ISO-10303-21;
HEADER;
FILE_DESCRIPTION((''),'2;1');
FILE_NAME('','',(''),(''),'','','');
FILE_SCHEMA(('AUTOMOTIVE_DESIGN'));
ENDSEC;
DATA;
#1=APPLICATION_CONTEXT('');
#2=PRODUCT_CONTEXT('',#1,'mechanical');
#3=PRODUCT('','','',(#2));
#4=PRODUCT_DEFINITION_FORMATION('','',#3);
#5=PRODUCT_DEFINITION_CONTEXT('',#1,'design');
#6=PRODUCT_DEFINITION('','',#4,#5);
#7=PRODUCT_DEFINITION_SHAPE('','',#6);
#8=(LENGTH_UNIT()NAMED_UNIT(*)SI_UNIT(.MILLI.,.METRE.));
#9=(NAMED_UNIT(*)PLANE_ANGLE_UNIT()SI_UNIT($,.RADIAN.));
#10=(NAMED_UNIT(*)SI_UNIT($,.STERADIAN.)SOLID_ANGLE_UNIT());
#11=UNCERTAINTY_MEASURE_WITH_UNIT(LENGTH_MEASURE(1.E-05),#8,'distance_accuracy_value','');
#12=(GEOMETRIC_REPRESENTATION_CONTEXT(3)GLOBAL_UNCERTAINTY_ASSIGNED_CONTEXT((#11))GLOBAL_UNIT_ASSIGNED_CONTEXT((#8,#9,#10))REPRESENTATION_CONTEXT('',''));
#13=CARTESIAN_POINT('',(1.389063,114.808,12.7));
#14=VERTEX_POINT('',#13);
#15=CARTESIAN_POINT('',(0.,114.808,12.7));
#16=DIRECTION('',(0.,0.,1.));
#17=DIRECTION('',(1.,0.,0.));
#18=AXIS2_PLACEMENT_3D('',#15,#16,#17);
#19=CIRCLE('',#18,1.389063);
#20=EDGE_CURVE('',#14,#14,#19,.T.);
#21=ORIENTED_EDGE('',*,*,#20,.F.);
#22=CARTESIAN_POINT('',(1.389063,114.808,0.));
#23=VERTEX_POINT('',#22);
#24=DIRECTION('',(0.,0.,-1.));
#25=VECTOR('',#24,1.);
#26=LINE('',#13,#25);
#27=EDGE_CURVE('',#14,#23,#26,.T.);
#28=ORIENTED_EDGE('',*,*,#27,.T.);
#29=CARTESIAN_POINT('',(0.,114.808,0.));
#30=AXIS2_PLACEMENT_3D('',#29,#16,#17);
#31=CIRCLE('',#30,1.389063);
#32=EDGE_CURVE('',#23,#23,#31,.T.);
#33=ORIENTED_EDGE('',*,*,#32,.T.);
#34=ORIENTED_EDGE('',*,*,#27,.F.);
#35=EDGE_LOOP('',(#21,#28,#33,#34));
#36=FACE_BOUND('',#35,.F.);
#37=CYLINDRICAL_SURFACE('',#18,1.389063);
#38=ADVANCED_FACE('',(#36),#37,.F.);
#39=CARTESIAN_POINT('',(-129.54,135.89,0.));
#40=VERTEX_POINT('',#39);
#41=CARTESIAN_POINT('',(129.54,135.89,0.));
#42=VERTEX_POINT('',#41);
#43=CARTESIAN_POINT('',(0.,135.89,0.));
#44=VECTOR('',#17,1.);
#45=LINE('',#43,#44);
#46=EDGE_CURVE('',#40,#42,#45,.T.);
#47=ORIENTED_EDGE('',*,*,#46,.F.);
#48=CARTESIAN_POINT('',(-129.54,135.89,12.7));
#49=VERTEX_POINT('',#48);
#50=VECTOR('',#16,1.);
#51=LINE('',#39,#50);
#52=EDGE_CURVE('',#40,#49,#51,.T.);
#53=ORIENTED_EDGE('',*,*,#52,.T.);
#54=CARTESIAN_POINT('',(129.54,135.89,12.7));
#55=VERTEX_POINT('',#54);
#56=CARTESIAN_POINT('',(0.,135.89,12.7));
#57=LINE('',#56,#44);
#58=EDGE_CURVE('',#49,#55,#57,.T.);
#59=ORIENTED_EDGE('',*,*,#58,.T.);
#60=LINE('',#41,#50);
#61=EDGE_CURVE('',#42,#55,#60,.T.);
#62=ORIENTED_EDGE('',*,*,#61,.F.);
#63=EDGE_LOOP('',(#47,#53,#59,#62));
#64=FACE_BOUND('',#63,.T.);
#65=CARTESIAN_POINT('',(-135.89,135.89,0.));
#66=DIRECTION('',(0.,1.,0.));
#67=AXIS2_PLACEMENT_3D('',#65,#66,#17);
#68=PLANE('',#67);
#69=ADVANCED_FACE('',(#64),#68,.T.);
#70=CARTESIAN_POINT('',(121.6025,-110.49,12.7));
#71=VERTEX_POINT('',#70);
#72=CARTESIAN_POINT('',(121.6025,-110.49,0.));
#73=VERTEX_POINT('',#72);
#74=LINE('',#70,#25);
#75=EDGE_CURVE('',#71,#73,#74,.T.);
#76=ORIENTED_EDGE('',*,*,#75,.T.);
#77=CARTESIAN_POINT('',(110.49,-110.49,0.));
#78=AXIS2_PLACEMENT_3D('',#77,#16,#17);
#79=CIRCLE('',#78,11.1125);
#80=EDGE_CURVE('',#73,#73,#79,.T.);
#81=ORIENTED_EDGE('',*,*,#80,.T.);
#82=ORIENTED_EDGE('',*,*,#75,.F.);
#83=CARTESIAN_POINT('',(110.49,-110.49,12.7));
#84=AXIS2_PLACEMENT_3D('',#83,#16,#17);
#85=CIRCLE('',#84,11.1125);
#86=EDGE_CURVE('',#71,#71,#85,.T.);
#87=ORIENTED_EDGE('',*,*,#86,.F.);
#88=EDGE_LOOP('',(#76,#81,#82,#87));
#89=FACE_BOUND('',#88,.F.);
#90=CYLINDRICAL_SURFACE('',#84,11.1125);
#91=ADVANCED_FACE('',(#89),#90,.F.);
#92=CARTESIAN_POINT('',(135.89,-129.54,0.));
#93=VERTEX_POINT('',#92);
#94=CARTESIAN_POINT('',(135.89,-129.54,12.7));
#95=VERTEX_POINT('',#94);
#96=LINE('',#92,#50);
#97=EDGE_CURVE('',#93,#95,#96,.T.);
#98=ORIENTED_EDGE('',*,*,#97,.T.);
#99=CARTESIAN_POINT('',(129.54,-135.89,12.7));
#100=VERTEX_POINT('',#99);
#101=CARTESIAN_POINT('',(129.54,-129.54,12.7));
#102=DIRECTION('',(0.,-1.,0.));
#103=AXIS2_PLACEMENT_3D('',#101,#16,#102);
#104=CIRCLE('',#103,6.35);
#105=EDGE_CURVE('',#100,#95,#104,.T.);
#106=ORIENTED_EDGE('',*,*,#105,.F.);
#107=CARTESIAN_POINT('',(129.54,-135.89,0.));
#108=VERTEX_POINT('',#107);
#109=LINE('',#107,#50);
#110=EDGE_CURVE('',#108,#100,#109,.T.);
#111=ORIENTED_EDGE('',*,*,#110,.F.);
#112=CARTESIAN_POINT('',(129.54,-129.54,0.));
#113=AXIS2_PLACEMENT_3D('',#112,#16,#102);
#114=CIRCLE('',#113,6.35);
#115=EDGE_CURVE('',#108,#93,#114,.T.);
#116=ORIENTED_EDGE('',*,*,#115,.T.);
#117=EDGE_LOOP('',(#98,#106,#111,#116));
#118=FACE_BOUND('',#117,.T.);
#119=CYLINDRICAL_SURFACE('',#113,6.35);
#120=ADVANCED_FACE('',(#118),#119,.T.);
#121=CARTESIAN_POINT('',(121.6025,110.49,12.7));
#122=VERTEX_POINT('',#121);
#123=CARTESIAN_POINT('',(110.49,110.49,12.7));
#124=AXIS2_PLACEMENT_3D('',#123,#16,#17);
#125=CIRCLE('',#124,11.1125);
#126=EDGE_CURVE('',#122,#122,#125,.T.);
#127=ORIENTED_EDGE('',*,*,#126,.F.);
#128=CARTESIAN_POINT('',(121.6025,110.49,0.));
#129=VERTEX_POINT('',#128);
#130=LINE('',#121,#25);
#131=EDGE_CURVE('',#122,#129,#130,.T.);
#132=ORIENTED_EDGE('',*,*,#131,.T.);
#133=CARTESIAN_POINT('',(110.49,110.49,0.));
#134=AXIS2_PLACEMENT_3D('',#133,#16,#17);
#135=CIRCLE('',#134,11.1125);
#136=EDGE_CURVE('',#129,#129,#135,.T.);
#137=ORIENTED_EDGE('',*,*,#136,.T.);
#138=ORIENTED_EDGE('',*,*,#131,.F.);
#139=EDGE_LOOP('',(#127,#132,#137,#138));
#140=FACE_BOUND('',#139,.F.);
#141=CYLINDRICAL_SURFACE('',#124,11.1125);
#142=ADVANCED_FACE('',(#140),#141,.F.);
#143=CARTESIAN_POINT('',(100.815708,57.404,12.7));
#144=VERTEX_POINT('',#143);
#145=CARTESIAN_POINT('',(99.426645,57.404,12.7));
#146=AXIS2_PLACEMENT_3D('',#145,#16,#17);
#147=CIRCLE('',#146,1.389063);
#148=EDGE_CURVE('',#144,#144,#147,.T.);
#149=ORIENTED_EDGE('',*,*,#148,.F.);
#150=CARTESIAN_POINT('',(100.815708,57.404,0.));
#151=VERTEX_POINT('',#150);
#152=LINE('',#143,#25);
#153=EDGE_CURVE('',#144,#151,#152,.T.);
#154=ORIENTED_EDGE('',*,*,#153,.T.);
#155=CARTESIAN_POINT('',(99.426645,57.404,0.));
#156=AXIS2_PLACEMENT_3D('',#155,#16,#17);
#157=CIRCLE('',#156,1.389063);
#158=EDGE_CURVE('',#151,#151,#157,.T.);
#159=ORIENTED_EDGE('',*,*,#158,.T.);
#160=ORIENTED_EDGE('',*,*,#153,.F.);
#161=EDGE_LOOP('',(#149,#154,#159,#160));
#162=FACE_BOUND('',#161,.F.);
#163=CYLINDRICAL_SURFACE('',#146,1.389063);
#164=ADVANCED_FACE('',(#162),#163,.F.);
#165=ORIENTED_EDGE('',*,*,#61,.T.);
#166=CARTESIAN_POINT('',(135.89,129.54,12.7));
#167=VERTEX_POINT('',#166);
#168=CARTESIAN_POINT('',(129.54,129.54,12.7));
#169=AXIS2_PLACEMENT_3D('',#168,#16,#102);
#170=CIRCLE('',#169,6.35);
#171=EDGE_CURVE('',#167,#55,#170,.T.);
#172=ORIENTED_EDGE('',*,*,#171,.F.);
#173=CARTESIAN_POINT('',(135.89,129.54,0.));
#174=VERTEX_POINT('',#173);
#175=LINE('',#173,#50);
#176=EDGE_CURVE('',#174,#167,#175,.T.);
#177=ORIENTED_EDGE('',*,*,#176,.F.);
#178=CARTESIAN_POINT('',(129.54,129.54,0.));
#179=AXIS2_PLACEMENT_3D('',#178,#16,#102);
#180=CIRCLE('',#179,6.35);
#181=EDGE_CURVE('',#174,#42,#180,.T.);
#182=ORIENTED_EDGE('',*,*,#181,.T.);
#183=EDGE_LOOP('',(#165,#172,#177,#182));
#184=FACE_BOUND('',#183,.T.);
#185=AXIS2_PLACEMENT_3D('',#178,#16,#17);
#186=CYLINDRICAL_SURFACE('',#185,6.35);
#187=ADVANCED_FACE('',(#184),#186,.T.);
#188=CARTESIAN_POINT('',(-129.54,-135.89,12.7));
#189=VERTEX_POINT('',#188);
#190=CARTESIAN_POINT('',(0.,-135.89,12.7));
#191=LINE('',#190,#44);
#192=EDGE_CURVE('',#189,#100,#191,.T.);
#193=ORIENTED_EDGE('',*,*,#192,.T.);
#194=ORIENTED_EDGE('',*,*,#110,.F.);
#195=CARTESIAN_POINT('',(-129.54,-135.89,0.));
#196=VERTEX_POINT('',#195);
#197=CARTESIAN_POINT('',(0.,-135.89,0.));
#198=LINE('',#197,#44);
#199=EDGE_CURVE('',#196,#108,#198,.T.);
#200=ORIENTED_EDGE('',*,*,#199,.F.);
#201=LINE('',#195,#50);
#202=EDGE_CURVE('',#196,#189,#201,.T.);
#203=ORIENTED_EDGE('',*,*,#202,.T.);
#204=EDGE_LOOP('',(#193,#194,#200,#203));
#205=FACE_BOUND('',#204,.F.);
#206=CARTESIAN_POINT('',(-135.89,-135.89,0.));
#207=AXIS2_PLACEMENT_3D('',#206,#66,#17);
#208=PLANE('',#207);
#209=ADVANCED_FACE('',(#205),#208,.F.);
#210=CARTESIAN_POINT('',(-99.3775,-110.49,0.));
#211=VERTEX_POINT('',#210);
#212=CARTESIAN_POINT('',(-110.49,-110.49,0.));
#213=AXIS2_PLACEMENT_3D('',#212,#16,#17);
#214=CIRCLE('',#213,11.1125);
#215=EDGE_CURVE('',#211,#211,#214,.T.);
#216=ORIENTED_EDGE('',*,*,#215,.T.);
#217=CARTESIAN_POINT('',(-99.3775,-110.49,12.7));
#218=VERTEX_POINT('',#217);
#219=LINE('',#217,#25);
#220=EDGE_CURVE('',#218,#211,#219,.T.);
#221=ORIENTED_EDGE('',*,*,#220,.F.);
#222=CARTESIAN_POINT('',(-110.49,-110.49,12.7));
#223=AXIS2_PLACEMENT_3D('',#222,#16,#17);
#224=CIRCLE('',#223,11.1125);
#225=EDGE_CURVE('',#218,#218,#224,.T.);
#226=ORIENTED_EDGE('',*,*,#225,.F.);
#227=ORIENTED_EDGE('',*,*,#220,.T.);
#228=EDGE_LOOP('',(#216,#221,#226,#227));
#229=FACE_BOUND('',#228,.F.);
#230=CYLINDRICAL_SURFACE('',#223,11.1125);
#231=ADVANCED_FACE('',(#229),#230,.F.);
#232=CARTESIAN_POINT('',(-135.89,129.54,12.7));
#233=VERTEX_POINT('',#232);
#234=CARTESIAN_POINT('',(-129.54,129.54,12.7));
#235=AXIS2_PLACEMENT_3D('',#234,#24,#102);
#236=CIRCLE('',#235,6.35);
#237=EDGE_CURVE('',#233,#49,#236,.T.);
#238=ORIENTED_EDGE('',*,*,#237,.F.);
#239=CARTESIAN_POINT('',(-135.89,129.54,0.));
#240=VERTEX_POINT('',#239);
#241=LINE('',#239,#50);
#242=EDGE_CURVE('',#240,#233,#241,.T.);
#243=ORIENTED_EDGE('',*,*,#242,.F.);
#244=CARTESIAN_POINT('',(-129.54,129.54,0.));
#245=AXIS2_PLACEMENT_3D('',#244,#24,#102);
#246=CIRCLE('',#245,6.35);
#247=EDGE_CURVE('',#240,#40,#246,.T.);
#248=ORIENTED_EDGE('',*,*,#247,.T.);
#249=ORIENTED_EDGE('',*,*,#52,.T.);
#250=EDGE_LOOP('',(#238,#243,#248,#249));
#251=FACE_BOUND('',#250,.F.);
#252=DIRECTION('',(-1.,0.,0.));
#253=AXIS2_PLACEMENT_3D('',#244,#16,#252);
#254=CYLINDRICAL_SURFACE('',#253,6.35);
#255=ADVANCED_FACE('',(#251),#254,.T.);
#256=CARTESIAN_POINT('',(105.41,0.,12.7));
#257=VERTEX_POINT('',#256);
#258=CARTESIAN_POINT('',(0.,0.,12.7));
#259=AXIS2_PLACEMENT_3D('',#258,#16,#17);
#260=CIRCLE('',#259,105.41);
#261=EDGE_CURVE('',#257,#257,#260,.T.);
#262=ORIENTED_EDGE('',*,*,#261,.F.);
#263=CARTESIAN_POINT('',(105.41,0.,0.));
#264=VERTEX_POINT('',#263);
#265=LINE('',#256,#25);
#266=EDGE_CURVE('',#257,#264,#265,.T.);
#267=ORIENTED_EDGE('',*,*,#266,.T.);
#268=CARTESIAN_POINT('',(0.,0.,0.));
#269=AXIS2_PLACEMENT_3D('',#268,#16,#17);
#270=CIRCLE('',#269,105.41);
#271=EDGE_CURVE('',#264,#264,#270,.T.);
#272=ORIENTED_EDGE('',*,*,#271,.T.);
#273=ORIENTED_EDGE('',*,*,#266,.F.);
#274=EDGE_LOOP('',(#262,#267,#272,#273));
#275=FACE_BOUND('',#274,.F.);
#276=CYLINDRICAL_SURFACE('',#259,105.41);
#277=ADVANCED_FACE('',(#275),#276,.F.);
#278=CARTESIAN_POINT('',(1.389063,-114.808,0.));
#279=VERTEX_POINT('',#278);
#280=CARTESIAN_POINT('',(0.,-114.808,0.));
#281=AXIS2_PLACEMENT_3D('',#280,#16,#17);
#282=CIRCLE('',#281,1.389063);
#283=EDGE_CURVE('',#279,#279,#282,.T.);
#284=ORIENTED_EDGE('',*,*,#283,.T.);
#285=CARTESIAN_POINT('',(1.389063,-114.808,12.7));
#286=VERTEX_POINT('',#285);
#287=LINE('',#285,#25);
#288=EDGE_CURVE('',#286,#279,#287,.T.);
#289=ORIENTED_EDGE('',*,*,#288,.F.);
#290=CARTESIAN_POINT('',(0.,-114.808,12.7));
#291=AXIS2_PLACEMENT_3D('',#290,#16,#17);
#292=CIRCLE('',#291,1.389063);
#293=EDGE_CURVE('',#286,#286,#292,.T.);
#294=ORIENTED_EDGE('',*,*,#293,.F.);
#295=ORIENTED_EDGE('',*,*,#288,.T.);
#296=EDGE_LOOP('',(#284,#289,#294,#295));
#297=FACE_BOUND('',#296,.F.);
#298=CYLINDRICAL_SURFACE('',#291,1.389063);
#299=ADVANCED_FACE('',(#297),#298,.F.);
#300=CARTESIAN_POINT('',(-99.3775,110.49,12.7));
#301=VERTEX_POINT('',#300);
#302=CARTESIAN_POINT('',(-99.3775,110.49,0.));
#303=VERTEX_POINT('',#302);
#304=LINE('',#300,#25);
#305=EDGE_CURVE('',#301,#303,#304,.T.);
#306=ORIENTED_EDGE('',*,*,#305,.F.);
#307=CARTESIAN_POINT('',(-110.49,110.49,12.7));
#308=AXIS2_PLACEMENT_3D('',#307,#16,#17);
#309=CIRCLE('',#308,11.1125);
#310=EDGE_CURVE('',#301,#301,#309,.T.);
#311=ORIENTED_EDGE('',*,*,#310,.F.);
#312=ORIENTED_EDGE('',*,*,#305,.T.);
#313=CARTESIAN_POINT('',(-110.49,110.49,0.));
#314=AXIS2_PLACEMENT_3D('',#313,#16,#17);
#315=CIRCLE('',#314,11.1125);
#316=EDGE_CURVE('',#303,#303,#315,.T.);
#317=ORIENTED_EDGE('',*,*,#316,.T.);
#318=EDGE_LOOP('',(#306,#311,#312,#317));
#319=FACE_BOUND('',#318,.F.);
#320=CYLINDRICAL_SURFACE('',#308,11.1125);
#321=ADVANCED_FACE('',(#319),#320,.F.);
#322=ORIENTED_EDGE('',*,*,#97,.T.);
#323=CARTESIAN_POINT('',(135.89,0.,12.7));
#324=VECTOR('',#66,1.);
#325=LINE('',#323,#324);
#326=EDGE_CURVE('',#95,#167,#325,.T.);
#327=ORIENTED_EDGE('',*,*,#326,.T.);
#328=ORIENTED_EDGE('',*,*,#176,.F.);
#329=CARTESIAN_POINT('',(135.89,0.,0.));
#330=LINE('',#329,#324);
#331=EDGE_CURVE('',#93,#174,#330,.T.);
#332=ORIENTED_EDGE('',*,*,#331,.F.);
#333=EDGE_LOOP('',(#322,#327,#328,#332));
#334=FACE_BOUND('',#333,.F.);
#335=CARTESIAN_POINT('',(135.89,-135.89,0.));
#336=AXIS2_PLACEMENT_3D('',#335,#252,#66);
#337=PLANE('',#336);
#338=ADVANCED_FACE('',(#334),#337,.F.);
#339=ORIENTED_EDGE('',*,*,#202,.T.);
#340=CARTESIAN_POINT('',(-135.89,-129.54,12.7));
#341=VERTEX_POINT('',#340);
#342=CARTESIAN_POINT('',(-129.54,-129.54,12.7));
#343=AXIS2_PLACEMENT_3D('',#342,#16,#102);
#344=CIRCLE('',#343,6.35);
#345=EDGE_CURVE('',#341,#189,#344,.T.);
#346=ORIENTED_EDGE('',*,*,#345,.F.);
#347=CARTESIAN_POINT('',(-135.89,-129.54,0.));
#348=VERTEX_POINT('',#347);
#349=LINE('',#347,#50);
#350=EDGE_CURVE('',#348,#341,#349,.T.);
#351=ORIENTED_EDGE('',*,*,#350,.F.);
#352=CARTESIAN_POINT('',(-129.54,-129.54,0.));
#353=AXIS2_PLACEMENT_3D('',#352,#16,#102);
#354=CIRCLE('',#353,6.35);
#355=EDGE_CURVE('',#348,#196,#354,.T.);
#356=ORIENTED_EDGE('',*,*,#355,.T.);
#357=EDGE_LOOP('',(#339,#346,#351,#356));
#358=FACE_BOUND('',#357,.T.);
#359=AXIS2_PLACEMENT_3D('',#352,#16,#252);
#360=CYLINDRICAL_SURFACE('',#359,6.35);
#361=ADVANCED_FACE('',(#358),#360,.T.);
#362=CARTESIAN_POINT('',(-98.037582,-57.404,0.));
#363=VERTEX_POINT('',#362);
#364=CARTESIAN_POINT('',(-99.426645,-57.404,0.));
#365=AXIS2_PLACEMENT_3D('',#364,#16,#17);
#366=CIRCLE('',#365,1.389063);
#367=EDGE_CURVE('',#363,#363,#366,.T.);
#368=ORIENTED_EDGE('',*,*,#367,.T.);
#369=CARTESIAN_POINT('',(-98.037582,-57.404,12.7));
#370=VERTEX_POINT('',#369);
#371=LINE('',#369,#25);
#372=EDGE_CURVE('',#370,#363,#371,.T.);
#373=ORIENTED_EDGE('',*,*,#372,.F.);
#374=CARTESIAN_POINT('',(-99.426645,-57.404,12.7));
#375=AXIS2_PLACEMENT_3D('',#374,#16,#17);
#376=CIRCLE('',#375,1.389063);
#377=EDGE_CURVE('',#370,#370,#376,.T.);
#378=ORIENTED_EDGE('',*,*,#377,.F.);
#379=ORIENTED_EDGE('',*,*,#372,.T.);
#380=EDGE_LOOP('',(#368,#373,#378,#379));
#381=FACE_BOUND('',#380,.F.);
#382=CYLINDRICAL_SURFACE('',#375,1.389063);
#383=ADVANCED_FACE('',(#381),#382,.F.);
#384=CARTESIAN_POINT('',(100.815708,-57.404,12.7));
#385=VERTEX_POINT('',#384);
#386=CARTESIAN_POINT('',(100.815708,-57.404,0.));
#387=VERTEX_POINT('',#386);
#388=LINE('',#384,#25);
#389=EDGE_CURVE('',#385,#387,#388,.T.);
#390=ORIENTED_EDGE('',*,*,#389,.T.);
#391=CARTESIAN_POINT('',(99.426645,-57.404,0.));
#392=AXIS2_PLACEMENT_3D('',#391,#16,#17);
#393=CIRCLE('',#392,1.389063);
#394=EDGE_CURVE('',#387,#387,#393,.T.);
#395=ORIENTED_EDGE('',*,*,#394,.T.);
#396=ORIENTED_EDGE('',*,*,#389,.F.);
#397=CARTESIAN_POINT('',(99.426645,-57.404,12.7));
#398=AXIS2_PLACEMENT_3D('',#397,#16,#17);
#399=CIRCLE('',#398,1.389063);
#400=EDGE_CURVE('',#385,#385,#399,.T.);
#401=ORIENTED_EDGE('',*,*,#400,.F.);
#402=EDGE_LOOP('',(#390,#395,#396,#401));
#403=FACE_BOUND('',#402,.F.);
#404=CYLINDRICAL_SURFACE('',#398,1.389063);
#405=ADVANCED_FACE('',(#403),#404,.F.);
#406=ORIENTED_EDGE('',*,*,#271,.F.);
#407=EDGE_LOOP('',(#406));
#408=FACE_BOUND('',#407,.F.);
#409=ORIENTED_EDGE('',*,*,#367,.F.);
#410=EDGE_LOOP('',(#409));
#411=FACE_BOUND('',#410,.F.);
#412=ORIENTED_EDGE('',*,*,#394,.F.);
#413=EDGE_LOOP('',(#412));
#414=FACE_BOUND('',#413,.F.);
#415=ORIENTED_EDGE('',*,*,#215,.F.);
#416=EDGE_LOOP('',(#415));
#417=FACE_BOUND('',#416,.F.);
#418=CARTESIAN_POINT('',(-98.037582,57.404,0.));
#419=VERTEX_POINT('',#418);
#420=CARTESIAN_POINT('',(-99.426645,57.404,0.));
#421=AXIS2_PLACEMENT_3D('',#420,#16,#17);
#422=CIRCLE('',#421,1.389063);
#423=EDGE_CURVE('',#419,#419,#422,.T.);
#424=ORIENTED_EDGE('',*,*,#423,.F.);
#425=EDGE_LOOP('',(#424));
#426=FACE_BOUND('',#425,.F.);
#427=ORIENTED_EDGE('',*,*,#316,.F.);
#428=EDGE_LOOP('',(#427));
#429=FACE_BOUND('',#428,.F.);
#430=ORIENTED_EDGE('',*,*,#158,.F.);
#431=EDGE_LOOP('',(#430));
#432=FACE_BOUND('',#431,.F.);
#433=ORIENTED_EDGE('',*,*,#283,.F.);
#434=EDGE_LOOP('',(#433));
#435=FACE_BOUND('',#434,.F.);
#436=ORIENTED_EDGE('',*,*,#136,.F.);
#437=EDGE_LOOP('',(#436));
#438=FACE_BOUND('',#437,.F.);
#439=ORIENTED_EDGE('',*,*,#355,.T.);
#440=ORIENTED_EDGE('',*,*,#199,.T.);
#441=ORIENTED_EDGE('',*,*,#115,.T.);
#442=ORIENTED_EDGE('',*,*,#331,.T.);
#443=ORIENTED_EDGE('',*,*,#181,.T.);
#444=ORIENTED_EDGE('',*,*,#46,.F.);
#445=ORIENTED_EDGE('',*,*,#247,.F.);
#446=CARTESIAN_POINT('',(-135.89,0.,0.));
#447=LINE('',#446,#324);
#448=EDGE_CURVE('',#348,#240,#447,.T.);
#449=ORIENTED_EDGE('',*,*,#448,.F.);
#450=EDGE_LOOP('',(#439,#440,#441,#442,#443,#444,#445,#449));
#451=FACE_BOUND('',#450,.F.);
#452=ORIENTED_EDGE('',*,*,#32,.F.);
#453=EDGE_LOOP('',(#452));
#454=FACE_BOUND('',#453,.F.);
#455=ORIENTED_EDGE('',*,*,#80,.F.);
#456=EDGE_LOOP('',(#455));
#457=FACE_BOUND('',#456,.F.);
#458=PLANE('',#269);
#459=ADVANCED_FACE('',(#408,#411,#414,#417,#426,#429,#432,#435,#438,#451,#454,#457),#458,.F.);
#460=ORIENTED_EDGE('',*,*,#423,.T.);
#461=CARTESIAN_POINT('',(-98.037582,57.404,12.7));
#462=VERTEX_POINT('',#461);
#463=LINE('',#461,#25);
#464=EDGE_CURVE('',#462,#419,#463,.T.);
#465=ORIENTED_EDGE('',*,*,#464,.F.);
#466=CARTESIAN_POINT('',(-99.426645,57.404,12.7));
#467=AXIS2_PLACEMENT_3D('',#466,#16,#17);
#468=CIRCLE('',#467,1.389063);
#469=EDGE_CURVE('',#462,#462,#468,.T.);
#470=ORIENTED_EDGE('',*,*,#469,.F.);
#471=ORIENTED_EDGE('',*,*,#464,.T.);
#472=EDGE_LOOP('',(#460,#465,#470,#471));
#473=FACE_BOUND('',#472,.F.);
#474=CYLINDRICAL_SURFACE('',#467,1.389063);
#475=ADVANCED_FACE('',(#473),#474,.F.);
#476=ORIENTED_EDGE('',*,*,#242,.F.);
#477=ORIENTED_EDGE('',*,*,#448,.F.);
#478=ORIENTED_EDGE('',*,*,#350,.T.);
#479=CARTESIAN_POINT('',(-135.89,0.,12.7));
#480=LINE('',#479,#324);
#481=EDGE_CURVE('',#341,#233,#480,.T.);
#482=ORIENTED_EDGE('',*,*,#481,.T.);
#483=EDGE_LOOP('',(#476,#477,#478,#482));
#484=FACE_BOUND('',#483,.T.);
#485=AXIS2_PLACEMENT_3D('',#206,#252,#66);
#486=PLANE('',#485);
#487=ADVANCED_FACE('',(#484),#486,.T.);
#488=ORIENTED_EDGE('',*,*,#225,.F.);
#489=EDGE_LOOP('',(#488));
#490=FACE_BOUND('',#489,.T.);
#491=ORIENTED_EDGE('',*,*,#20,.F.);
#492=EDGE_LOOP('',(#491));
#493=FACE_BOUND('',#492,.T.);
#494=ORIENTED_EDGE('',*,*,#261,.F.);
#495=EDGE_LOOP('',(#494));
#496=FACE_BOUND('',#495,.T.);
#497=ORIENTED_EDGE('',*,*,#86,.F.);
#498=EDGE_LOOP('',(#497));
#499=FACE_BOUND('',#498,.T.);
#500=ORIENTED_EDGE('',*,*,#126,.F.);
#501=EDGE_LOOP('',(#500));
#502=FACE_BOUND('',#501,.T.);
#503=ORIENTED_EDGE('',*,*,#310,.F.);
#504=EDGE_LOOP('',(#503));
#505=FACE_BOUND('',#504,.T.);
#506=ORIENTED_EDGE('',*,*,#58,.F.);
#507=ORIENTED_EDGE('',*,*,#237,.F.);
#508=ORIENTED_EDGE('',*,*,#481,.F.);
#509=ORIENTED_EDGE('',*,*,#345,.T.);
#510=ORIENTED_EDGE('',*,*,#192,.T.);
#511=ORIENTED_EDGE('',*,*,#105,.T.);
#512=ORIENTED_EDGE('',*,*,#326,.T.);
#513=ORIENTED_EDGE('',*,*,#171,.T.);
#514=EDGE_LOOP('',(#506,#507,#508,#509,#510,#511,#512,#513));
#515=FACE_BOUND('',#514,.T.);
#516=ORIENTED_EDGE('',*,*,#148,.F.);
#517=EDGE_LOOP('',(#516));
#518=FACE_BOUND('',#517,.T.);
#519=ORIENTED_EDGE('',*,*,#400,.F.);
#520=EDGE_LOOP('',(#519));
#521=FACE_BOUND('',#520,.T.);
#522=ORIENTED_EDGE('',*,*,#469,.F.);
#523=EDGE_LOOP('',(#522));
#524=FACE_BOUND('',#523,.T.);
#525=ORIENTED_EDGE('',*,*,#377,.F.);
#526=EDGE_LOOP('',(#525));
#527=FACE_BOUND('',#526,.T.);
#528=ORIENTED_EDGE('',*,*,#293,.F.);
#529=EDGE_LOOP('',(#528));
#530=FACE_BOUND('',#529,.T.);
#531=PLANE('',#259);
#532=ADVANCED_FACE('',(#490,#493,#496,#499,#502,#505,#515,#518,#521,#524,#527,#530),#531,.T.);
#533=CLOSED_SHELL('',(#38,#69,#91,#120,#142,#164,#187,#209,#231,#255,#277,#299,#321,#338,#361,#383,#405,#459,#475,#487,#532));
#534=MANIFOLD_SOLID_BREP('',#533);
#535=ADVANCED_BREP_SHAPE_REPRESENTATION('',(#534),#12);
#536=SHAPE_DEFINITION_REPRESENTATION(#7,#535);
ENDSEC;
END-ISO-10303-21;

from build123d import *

# Parameters (mm, degrees)
F0_W     = 271.78
F0_H     = 271.78
F1_DEPTH = 12.7
F2_R     = 6.35
F3_R     = 105.41
F4_DEPTH = 25.4
F5_R     = 1.389063
F6_DEPTH = 25.4
F7_R     = 11.1125
F8_DEPTH = 25.4


with BuildPart() as f1:
    # F0 (on Top) → F1 (new body)
    with BuildSketch(Plane.XY):
        Rectangle(F0_W, F0_H)
    extrude(amount=F1_DEPTH)

    # F2
    f2_edges = [f1.edges().sort_by_distance(p)[0] for p in [
        (-135.89, -135.89, 6.35),
        (135.89, -135.89, 6.35),
        (-135.89, 135.89, 6.35),
        (135.89, 135.89, 6.35),
    ]]
    fillet(f2_edges, radius=F2_R)

    # F3 (on face) → F4 (cut)
    with BuildSketch(Plane.XY.offset(12.7)):
        Circle(F3_R)
    extrude(amount=-F4_DEPTH, mode=Mode.SUBTRACT)

    # F5 (on face) → F6 (cut)
    with BuildSketch(Plane.XY.offset(12.7)):
        with Locations((0, 114.808)):
            Circle(F5_R)
        with Locations((99.426645, 57.404)):
            Circle(F5_R)
        with Locations((99.426645, -57.404)):
            Circle(F5_R)
        with Locations((0, -114.808)):
            Circle(F5_R)
        with Locations((-99.426645, -57.404)):
            Circle(F5_R)
        with Locations((-99.426645, 57.404)):
            Circle(F5_R)
    extrude(amount=-F6_DEPTH, mode=Mode.SUBTRACT)

    # F7 (on face) → F8 (cut)
    with BuildSketch(Plane.XY.offset(12.7)):
        with Locations((-110.49, 110.49)):
            Circle(F7_R)
        with Locations((110.49, 110.49)):
            Circle(F7_R)
        with Locations((110.49, -110.49)):
            Circle(F7_R)
        with Locations((-110.49, -110.49)):
            Circle(F7_R)
    extrude(amount=-F8_DEPTH, mode=Mode.SUBTRACT)


solid = f1.part
